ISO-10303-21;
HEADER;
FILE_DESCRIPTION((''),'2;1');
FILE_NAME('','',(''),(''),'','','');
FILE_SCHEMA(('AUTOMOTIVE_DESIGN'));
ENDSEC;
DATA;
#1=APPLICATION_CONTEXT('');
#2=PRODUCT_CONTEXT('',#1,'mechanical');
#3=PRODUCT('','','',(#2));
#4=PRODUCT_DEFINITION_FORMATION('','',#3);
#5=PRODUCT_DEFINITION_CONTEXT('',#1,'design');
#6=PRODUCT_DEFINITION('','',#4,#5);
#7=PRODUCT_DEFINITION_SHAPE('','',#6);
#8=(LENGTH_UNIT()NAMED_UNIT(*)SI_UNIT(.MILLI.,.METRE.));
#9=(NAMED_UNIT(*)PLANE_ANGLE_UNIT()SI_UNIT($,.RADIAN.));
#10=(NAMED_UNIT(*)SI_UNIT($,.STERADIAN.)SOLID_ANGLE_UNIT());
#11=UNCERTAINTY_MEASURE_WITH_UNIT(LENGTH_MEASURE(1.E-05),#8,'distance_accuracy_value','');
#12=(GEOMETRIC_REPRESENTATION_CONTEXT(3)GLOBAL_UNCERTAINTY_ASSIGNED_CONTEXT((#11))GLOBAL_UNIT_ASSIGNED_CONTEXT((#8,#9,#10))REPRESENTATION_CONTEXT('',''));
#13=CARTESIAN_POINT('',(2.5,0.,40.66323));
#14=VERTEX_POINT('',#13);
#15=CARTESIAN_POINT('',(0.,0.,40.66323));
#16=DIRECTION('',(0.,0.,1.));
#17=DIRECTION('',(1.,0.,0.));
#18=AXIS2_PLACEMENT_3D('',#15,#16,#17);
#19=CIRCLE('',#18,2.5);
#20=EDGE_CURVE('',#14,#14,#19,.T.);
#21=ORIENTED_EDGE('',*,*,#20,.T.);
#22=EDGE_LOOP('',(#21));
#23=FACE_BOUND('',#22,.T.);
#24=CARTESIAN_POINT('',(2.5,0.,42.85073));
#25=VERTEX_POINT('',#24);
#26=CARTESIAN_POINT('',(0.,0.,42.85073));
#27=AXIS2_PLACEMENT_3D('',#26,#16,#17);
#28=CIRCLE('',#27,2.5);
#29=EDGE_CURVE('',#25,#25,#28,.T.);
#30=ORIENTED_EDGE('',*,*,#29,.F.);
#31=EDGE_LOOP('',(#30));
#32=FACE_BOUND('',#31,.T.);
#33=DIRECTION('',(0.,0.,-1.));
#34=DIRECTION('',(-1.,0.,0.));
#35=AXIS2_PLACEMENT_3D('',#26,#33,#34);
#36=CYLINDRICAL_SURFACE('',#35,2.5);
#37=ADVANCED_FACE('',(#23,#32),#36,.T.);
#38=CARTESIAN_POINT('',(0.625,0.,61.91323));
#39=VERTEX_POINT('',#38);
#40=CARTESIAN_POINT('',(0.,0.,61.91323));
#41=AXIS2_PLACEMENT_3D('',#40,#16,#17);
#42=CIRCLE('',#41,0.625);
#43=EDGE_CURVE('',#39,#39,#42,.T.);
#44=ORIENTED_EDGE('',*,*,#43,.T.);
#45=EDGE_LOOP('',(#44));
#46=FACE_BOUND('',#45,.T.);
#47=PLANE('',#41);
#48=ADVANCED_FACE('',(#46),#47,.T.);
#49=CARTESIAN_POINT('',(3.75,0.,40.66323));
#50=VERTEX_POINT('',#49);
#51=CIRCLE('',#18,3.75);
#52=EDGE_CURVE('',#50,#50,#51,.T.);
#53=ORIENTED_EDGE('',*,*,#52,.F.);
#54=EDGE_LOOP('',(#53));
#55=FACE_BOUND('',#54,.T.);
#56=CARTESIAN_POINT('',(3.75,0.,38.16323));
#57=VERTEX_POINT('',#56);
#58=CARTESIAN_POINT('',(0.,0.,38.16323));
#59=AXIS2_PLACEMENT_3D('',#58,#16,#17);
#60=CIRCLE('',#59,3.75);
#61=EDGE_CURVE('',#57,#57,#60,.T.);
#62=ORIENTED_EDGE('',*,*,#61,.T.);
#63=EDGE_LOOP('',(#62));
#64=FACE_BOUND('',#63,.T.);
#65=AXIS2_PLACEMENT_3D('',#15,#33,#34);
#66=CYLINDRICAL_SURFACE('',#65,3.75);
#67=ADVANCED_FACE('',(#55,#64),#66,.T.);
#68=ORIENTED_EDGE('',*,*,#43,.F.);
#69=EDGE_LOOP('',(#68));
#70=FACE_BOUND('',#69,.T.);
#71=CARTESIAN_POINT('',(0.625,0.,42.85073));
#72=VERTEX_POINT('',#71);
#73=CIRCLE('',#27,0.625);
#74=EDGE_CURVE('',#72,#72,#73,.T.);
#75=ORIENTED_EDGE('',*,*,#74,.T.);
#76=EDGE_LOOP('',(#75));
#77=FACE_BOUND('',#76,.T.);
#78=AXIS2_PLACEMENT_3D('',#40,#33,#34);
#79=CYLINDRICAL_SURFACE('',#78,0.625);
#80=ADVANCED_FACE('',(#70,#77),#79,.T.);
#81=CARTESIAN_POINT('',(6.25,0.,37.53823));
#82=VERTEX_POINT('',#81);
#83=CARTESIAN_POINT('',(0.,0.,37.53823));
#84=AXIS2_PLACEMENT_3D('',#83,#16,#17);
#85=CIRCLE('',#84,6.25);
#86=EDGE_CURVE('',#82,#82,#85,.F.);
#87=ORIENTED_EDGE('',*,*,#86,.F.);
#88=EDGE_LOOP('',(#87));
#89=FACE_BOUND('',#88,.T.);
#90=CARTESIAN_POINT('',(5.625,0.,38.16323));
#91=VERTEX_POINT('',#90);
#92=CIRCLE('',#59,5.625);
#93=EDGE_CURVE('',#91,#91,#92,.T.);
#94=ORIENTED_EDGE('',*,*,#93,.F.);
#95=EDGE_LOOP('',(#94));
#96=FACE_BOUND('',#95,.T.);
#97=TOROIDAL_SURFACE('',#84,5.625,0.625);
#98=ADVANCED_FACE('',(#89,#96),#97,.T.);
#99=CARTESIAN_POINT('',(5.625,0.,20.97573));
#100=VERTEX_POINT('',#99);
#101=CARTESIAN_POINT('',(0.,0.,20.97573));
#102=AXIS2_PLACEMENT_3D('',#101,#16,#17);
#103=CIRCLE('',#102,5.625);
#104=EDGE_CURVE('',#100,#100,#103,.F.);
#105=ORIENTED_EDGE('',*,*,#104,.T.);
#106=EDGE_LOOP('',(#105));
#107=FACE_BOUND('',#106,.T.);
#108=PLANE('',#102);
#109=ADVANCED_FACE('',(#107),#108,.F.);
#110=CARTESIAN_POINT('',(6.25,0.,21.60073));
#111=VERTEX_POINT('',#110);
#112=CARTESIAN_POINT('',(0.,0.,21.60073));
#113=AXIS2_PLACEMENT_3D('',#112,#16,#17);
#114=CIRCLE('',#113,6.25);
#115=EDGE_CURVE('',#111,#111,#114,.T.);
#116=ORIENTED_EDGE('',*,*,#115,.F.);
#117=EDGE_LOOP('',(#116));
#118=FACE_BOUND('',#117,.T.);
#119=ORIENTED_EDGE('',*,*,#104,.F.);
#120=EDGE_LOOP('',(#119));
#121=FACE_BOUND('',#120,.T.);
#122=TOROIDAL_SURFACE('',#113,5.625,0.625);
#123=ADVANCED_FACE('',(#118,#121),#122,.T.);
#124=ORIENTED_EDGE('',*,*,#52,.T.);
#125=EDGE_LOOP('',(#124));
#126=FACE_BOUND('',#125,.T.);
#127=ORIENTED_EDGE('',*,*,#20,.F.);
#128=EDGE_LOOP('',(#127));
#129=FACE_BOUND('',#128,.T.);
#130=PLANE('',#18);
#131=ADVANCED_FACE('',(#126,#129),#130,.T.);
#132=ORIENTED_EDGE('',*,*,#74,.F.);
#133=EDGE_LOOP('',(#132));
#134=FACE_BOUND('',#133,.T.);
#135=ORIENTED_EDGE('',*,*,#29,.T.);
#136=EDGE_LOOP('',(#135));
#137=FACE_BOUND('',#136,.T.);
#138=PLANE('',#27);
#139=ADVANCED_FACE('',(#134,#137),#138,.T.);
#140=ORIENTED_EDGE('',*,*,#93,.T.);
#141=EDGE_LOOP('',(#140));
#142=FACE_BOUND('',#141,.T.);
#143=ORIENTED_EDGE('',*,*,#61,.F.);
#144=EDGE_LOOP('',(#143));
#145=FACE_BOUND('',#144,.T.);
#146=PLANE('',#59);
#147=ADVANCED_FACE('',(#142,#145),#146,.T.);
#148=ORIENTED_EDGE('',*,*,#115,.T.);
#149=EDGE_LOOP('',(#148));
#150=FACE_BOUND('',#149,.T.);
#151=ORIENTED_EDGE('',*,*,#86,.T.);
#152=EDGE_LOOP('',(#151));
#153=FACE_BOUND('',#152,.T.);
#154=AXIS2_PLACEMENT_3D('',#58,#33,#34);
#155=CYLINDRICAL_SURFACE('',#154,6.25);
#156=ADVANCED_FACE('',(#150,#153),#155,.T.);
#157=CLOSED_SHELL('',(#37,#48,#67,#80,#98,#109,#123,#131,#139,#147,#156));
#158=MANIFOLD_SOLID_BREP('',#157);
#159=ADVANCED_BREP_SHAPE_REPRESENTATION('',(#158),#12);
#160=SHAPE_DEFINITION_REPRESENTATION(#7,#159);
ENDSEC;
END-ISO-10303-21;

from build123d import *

# Parameters (mm, degrees)
SKETCH1_R           = 20
SKETCH1_R_2         = 2
BOSS_EXTRUDE1_DEPTH = 55
SKETCH1_3_R         = 2
BOSS_EXTRUDE2_DEPTH = 131
SKETCH2_R           = 8
BOSS_EXTRUDE3_DEPTH = 15
SKETCH3_R           = 12
BOSS_EXTRUDE4_DEPTH = 8
FILLET1_R           = 2
SCALE1_SCALE        = 0.5
SCALE2_SCALE        = 0.5
SCALE3_SCALE        = 1.25


with BuildPart() as part:
    # Sketch1 → Boss-Extrude1 (new body)
    with BuildSketch(Plane.XY):
        Circle(SKETCH1_R)
        Circle(SKETCH1_R_2, mode=Mode.SUBTRACT)
    extrude(amount=BOSS_EXTRUDE1_DEPTH)

    # Sketch1<3> → Boss-Extrude2 (add)
    with BuildSketch(Plane.XY):
        Circle(SKETCH1_3_R)
    extrude(amount=BOSS_EXTRUDE2_DEPTH)

    # Sketch2 → Boss-Extrude3 (add)
    with BuildSketch(Plane.XY.offset(55)):
        Circle(SKETCH2_R)
    extrude(amount=BOSS_EXTRUDE3_DEPTH)

    # Sketch3 → Boss-Extrude4 (add)
    with BuildSketch(Plane.XY.offset(55)):
        Circle(SKETCH3_R)
    extrude(amount=BOSS_EXTRUDE4_DEPTH)

    # Fillet1
    fillet1_edges = [part.edges().sort_by_distance(p)[0] for p in [
        (-20, 0, 55),
        (-20, 0, 0),
    ]]
    fillet(fillet1_edges, radius=FILLET1_R)


with BuildPart() as part_1:
    # Scale1: scaled about (0, 0, 30.5101534)
    add(part.part.scale(SCALE1_SCALE).moved(Location((0, 0, 15.2550767))))


with BuildPart() as part_2:
    # Scale2: scaled about (0, 0, 30.5101534)
    add(part_1.part.scale(SCALE2_SCALE).moved(Location((0, 0, 15.2550767))))


with BuildPart() as part_3:
    # Scale3: scaled about (0, 0, 30.5101534)
    add(part_2.part.scale(SCALE3_SCALE).moved(Location((0, 0, -7.62753835))))


solid = part_3.part
